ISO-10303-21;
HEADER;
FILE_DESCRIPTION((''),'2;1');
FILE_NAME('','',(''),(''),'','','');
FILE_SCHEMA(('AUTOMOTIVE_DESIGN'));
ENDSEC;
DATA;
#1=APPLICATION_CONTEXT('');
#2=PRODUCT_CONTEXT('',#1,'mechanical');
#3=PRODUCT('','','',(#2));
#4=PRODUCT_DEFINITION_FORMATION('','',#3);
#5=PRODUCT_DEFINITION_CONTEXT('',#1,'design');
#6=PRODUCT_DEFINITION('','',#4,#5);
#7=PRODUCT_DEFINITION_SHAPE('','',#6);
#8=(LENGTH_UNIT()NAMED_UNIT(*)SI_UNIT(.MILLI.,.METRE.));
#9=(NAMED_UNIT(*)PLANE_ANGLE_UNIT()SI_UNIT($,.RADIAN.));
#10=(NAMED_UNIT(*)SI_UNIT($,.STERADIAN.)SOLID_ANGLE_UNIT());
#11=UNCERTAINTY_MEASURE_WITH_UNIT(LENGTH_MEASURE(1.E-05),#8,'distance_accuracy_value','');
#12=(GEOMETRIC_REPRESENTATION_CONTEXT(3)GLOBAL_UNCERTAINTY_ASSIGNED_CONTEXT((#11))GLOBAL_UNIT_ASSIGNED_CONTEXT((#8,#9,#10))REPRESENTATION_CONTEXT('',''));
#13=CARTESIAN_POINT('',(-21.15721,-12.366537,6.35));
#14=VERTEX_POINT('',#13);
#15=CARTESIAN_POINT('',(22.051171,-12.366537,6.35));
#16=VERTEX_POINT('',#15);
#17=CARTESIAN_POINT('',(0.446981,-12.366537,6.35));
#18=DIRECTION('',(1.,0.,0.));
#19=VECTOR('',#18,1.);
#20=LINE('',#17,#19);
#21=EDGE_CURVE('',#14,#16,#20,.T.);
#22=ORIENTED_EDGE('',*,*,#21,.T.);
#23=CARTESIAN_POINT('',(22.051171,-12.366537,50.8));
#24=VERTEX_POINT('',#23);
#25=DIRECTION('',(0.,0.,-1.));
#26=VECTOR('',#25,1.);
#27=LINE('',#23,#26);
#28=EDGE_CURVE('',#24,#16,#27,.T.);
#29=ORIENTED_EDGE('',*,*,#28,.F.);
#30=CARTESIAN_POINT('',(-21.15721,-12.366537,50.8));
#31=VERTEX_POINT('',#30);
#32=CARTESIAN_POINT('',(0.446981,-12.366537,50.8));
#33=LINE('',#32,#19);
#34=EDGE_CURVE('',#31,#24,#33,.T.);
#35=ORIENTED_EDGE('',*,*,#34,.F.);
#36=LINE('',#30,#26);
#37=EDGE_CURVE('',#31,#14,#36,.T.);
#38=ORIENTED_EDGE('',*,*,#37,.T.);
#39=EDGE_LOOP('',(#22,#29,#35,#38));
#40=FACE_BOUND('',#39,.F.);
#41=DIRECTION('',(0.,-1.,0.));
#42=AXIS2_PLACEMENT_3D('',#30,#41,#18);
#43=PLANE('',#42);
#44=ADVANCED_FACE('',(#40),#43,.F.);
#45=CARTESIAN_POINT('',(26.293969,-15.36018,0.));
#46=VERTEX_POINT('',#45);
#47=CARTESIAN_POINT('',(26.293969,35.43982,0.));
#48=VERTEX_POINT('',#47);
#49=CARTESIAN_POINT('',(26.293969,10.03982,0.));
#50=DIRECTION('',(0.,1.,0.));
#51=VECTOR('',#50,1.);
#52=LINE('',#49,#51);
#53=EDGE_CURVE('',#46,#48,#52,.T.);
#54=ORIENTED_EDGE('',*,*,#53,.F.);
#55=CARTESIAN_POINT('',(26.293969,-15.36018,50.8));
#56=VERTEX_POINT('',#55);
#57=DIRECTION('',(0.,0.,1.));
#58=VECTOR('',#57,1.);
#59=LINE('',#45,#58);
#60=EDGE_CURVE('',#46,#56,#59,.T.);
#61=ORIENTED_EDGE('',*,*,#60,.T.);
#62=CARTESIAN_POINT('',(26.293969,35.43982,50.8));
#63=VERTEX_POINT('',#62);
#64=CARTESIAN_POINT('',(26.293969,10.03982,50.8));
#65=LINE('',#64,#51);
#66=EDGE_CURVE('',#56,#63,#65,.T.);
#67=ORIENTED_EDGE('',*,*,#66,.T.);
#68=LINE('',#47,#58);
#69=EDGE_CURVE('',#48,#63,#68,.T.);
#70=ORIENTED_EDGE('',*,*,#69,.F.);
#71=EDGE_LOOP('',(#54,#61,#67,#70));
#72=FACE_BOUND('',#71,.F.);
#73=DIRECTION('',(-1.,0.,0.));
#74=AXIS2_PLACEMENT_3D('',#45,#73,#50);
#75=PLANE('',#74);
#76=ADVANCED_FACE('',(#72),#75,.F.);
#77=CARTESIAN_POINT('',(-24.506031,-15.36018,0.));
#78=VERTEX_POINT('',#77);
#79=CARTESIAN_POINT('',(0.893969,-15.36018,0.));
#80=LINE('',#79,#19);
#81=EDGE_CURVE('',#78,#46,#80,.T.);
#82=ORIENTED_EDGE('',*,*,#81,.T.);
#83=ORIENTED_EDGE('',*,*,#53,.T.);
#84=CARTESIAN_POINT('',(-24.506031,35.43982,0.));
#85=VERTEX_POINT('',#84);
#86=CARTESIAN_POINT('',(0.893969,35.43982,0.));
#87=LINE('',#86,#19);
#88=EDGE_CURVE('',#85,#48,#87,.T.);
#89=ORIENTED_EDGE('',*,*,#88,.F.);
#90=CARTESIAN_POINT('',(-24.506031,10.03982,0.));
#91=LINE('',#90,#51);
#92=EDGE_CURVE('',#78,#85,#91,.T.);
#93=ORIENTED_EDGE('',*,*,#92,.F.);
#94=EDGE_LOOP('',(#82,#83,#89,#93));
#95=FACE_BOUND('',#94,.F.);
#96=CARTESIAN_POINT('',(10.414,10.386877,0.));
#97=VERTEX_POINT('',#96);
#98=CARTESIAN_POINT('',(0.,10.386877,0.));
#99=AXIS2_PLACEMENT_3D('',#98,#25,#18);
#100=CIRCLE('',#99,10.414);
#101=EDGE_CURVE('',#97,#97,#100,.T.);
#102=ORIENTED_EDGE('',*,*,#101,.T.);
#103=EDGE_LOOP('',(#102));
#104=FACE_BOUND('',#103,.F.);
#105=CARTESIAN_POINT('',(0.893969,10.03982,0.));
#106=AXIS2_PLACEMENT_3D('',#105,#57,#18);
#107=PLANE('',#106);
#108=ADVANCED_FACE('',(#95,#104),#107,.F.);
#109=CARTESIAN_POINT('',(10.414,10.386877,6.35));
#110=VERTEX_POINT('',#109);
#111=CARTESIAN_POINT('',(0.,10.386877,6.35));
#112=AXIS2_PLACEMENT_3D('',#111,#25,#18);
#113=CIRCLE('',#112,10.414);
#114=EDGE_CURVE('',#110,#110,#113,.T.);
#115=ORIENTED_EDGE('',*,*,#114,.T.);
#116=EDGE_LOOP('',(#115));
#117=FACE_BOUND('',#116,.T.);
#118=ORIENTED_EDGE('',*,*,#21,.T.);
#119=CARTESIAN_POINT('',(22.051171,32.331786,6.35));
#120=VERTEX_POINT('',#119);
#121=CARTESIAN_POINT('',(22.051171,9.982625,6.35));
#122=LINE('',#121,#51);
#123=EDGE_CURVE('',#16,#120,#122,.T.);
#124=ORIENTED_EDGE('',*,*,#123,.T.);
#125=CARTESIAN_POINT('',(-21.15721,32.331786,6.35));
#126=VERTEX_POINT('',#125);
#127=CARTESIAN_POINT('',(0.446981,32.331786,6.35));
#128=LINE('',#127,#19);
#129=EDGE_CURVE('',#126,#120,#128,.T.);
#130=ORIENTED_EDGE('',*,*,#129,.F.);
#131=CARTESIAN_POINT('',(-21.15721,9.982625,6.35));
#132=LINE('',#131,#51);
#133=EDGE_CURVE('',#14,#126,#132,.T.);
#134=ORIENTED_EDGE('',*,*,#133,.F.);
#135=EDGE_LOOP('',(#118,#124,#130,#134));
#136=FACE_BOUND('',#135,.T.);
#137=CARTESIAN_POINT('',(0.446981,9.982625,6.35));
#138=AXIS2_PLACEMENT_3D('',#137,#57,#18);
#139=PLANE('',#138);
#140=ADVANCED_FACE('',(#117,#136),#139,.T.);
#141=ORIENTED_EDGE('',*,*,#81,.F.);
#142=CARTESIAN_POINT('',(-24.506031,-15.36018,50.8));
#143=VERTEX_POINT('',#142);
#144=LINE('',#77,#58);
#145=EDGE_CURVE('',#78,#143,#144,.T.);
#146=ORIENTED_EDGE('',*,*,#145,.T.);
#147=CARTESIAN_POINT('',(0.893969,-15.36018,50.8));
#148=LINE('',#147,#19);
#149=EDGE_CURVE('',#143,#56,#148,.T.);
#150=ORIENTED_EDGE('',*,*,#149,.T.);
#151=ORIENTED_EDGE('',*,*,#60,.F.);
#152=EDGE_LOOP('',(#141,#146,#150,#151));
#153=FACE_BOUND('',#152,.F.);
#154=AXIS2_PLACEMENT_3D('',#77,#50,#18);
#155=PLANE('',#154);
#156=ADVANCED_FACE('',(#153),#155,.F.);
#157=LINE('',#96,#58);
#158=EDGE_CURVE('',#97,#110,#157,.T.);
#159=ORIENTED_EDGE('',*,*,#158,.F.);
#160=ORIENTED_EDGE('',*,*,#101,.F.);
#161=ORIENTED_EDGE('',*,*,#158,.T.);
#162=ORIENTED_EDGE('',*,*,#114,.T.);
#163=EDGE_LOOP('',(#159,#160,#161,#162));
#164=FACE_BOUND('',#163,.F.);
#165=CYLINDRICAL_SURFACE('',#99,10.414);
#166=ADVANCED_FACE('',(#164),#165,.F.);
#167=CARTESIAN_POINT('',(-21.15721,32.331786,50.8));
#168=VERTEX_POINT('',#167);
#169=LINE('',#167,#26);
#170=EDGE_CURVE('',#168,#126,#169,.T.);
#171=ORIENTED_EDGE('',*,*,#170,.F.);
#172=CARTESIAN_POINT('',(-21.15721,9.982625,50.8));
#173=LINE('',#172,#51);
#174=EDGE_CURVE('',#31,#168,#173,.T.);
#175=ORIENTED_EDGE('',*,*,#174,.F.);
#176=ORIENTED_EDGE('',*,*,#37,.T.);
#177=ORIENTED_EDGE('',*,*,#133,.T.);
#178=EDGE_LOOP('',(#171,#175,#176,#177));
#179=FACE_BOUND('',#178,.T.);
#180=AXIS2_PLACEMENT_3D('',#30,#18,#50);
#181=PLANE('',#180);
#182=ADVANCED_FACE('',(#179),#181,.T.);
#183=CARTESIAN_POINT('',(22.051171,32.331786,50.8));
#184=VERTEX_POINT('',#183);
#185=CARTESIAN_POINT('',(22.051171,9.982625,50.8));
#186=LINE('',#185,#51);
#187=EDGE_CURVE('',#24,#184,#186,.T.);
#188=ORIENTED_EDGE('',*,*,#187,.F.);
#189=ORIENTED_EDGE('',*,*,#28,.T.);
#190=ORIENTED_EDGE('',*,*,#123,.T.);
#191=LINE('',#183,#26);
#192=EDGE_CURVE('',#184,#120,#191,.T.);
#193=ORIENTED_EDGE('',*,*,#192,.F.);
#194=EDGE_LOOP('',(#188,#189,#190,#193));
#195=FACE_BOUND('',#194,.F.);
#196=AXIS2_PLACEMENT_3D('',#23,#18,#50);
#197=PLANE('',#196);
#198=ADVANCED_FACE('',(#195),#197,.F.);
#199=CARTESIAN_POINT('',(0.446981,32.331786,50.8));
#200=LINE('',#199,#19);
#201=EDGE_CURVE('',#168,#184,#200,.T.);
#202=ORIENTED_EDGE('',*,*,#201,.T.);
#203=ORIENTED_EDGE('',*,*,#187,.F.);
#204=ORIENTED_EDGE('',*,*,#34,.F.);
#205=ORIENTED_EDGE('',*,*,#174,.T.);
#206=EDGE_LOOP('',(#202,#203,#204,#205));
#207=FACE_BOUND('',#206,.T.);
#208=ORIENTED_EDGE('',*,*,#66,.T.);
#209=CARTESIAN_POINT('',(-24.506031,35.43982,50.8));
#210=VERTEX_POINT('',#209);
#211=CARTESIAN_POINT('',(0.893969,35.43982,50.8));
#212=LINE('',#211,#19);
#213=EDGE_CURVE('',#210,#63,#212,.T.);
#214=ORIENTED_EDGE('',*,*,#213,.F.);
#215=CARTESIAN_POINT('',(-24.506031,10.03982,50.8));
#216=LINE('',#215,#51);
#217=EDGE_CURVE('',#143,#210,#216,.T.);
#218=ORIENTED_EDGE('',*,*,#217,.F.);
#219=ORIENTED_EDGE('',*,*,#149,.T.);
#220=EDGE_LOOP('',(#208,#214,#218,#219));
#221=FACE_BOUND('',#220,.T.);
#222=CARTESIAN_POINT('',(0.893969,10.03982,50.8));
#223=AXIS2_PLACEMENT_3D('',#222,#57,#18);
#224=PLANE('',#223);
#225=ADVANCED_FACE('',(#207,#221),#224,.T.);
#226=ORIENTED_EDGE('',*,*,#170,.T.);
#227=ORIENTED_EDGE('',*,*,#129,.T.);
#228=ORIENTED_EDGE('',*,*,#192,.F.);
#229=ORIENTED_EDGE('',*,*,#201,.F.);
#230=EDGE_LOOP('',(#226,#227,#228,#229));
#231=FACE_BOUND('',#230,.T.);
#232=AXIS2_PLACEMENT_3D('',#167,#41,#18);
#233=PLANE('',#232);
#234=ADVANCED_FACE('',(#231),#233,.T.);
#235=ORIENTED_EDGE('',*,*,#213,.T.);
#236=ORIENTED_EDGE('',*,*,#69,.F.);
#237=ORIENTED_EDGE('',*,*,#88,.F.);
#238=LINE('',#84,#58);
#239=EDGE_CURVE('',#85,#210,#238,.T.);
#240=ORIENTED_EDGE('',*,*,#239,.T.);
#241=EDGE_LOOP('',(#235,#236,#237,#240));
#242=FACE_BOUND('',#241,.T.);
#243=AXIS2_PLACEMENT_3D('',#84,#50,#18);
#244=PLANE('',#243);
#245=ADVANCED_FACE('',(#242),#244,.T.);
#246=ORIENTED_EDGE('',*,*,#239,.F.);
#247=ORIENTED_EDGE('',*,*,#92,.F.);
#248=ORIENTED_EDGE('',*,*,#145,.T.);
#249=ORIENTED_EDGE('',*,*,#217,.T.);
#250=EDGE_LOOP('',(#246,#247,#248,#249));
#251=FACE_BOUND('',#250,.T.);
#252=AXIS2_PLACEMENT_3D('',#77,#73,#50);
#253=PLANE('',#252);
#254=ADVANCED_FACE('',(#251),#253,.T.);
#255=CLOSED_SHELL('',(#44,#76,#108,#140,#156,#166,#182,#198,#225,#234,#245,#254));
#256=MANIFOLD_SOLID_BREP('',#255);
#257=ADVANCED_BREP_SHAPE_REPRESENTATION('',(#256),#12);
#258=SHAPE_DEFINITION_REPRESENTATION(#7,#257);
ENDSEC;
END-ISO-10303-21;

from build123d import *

# Parameters (mm, degrees)
F0_W     = 50.8
F0_H     = 50.8
F1_DEPTH = 50.8
F2_W     = 43.208381
F2_H     = 44.698323
F3_DEPTH = 44.45
F4_R     = 10.414
F5_DEPTH = 50.801


with BuildPart() as f1:
    # F0 (on Top) → F1 (new body)
    with BuildSketch(Plane.XY):
        with Locations((0.893969, 10.03982)):
            Rectangle(F0_W, F0_H)
    extrude(amount=F1_DEPTH)

    # F2 (on face) → F3 (cut)
    with BuildSketch(Plane.XY.offset(50.8)):
        with Locations((0.446981, 9.982625)):
            Rectangle(F2_W, F2_H)
    extrude(amount=-F3_DEPTH, mode=Mode.SUBTRACT)

    # F4 (on face) → F5 (cut, through all)
    with BuildSketch(Plane(origin=(0, 0, 0), x_dir=(1, 0, 0), z_dir=(0, 0, -1))):
        with Locations((0, -10.386877)):
            Circle(F4_R)
    extrude(amount=-F5_DEPTH, mode=Mode.SUBTRACT)


solid = f1.part
